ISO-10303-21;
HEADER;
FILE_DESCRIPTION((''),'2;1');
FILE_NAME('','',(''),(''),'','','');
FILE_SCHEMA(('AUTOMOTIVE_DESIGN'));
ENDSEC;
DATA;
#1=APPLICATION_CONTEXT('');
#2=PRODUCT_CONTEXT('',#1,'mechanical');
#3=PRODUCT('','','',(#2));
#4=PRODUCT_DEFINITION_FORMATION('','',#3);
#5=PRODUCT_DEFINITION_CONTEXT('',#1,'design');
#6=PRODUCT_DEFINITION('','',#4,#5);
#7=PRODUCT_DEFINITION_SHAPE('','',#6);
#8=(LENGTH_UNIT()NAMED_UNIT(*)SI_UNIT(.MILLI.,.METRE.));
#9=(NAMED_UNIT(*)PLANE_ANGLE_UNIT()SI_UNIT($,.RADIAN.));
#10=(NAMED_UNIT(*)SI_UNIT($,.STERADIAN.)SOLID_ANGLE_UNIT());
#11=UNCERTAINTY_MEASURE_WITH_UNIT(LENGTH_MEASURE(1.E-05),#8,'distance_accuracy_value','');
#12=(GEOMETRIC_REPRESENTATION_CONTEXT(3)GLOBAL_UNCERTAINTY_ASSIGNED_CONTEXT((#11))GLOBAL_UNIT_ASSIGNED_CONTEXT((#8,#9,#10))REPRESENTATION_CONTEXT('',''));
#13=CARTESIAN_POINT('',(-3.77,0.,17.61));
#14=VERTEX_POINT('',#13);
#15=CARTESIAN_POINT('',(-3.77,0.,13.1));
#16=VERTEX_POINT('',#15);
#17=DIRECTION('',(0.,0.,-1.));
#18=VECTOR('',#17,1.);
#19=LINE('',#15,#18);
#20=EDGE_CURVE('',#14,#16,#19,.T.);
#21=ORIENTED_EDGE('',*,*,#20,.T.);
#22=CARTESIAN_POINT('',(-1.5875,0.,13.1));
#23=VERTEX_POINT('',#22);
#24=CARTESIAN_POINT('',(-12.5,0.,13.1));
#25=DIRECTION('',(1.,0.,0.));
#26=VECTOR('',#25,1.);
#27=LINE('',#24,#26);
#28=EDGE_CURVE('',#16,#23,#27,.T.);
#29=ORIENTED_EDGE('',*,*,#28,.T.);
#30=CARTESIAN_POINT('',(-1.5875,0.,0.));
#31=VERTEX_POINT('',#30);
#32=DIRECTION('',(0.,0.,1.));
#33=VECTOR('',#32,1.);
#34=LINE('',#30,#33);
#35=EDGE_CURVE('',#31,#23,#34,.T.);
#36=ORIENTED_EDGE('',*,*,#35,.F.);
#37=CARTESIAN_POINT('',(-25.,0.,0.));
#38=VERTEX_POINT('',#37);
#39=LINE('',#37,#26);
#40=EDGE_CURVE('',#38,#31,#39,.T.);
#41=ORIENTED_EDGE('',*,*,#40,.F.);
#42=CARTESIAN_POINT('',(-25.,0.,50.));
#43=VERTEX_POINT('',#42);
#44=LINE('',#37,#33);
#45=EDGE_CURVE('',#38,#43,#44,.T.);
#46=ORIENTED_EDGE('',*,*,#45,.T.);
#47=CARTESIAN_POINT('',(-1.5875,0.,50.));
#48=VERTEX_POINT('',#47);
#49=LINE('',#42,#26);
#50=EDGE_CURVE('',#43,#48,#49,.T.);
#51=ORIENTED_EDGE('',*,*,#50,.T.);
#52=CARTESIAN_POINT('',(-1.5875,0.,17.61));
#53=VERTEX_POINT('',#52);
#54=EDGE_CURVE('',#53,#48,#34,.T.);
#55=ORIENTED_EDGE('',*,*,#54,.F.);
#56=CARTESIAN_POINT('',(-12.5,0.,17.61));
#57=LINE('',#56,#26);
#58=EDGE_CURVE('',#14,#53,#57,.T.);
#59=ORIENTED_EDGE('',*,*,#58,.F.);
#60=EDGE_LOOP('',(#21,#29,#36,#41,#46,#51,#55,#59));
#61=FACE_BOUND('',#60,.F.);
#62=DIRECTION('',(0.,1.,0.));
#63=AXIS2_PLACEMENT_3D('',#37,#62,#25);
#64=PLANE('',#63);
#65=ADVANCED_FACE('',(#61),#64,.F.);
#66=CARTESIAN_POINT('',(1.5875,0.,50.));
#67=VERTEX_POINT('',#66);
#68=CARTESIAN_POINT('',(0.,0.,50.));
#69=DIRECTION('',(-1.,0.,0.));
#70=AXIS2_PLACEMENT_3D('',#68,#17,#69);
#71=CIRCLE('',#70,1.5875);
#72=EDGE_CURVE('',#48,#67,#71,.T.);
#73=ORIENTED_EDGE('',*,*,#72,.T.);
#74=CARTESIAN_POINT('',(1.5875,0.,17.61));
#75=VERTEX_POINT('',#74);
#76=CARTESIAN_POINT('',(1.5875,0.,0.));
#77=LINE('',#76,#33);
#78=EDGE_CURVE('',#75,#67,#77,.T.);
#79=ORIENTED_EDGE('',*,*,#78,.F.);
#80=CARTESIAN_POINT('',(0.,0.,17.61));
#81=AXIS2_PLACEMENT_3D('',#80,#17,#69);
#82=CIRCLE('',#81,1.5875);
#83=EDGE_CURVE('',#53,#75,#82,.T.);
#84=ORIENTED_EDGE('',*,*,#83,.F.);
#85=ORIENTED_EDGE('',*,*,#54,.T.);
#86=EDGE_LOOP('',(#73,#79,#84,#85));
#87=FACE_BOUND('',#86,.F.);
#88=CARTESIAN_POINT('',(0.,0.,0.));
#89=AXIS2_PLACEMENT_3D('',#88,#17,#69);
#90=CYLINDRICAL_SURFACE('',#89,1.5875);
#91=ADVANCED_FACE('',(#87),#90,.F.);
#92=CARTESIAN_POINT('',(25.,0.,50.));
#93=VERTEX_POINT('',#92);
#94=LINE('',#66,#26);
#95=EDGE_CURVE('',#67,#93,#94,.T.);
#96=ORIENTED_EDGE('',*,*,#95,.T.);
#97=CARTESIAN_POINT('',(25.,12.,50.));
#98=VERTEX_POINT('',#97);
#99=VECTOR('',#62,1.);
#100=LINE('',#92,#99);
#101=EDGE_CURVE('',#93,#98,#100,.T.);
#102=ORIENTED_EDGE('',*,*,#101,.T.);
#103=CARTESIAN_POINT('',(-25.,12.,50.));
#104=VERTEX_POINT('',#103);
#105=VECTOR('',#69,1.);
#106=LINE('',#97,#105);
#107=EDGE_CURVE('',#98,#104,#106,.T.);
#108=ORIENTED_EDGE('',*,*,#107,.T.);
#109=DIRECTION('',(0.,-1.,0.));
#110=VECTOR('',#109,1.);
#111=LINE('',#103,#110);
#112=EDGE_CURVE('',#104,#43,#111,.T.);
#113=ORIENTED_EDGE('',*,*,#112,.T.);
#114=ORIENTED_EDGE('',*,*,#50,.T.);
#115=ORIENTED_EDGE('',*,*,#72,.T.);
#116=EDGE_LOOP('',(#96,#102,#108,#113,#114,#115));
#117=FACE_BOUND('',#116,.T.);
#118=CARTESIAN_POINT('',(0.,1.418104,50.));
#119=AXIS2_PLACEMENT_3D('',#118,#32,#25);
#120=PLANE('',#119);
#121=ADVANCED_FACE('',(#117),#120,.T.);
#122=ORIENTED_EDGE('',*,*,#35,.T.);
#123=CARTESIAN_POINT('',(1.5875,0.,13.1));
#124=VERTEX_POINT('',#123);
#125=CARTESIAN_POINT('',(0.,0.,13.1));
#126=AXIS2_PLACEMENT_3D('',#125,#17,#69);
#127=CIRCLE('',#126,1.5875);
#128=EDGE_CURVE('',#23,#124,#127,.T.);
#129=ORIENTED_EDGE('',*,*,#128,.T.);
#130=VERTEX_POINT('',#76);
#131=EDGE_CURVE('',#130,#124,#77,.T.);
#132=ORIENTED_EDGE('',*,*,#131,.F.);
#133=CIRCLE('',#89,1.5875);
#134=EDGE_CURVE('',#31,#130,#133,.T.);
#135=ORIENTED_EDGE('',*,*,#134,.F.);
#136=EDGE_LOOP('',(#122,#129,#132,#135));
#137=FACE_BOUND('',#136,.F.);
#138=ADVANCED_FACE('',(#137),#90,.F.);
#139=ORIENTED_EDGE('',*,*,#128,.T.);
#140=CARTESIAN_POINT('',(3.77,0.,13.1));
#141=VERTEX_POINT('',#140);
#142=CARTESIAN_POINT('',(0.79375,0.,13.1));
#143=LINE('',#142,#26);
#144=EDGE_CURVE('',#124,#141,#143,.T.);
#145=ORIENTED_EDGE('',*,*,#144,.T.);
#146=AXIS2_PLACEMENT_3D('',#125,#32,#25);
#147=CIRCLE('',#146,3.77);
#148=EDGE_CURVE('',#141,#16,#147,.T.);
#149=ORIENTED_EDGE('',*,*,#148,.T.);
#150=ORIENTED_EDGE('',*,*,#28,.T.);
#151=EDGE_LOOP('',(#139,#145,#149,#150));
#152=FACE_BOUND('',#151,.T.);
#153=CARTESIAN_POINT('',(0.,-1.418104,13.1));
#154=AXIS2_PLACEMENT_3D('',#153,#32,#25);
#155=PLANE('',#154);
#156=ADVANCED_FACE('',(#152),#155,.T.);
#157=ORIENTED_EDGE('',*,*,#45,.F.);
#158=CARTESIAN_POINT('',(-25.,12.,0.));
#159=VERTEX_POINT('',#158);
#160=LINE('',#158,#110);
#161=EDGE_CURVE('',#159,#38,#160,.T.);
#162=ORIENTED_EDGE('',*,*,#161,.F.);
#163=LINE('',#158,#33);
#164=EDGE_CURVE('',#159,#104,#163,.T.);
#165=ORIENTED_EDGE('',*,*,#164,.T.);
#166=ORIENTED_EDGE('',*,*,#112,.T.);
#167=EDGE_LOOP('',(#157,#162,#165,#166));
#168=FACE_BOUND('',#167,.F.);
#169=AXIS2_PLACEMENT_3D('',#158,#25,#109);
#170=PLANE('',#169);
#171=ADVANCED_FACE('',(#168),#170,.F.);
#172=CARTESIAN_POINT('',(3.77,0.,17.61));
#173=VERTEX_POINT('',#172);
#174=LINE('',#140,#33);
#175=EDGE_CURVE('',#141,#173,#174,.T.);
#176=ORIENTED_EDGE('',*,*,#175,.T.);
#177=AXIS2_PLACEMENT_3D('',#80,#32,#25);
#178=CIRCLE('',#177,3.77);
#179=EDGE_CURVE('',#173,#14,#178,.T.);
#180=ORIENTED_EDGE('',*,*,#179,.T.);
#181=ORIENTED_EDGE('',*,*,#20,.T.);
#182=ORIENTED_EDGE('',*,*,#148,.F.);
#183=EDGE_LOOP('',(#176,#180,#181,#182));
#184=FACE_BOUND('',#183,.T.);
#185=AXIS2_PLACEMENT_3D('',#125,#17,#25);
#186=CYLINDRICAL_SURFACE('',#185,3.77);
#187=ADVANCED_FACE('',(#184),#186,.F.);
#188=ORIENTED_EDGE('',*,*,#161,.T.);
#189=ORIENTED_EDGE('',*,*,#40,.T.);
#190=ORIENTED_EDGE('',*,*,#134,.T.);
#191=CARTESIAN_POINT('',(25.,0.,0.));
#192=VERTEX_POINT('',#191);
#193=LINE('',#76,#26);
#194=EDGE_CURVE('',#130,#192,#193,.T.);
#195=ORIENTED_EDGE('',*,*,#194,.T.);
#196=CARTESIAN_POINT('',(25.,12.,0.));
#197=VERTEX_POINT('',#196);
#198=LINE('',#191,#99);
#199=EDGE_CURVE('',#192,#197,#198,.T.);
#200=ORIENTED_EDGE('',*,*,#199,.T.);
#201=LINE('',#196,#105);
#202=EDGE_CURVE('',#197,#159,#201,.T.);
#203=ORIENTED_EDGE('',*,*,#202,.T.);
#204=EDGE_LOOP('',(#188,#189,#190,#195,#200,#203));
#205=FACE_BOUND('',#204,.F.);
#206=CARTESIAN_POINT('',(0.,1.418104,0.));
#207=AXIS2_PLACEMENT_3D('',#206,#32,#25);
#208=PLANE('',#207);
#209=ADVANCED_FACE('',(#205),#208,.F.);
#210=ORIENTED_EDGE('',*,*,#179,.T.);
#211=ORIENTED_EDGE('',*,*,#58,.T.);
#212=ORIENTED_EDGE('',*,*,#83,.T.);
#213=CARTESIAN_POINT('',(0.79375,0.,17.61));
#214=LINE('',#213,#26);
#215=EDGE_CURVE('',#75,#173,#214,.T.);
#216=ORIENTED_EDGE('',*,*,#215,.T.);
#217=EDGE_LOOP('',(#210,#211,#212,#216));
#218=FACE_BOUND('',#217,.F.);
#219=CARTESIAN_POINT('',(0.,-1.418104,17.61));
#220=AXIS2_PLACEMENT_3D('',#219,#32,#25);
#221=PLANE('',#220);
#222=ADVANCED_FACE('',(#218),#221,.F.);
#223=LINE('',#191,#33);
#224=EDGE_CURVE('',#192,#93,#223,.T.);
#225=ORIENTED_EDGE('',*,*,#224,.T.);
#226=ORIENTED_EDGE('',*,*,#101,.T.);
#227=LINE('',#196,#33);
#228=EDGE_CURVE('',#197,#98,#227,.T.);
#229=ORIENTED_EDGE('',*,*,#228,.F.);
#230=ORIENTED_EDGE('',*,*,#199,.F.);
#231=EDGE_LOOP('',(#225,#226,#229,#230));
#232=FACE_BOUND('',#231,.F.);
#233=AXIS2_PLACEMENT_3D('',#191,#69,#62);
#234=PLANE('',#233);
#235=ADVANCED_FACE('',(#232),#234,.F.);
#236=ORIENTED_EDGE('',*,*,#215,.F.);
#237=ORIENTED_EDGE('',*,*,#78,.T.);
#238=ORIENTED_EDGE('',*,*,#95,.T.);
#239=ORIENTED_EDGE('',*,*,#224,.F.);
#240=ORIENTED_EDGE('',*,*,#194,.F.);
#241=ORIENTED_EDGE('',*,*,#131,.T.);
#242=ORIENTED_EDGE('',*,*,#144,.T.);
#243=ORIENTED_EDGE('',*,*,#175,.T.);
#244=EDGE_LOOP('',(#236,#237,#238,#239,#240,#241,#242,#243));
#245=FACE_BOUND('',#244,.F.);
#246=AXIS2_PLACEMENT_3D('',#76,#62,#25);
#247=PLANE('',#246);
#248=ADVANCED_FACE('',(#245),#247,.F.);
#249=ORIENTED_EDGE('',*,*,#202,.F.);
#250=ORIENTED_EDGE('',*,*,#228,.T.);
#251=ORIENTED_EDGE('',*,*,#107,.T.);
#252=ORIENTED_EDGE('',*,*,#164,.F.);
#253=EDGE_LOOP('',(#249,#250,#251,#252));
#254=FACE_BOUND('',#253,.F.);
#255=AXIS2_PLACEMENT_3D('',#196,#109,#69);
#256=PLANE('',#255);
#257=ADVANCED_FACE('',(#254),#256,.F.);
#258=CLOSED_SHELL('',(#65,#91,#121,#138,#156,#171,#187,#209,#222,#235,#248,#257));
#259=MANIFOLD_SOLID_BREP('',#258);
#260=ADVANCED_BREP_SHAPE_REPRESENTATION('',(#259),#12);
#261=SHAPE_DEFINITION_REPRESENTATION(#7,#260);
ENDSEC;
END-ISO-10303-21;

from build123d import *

# Parameters (mm, degrees)
F1_DEPTH = 50
F2_START = 13.1
F2_DEPTH = 4.51


with BuildPart() as f1:
    # F0 (on Top) → F1 (new body)
    with BuildSketch(Plane.XY):
        with BuildLine():
            ThreePointArc((-1.5875, 0), (0, 1.5875), (1.5875, 0))
            Line((1.5875, 0), (3.77, 0))
            ThreePointArc((3.77, 0), (0, 3.77), (-3.77, 0))
            Line((-3.77, 0), (-1.5875, 0))
        make_face()
        with BuildLine():
            ThreePointArc((-3.77, 0), (0, 3.77), (3.77, 0))
            Line((3.77, 0), (25, 0))
            Line((25, 0), (25, 12))
            Line((25, 12), (-25, 12))
            Line((-25, 12), (-25, 0))
            Line((-25, 0), (-3.77, 0))
        make_face()
    extrude(amount=F1_DEPTH)

    # F0 (on Top) → F2 (cut)
    with BuildSketch(Plane.XY.offset(F2_START)):
        with BuildLine():
            Line((3.77, 0), (1.5875, 0))
            ThreePointArc((1.5875, 0), (0, -1.5875), (-1.5875, 0))
            Line((-1.5875, 0), (-3.77, 0))
            ThreePointArc((-3.77, 0), (0, -3.77), (3.77, 0))
        make_face()
        with BuildLine():
            ThreePointArc((-1.5875, 0), (0, 1.5875), (1.5875, 0))
            Line((1.5875, 0), (3.77, 0))
            ThreePointArc((3.77, 0), (0, 3.77), (-3.77, 0))
            Line((-3.77, 0), (-1.5875, 0))
        make_face()
    extrude(amount=F2_DEPTH, mode=Mode.SUBTRACT)


solid = f1.part
